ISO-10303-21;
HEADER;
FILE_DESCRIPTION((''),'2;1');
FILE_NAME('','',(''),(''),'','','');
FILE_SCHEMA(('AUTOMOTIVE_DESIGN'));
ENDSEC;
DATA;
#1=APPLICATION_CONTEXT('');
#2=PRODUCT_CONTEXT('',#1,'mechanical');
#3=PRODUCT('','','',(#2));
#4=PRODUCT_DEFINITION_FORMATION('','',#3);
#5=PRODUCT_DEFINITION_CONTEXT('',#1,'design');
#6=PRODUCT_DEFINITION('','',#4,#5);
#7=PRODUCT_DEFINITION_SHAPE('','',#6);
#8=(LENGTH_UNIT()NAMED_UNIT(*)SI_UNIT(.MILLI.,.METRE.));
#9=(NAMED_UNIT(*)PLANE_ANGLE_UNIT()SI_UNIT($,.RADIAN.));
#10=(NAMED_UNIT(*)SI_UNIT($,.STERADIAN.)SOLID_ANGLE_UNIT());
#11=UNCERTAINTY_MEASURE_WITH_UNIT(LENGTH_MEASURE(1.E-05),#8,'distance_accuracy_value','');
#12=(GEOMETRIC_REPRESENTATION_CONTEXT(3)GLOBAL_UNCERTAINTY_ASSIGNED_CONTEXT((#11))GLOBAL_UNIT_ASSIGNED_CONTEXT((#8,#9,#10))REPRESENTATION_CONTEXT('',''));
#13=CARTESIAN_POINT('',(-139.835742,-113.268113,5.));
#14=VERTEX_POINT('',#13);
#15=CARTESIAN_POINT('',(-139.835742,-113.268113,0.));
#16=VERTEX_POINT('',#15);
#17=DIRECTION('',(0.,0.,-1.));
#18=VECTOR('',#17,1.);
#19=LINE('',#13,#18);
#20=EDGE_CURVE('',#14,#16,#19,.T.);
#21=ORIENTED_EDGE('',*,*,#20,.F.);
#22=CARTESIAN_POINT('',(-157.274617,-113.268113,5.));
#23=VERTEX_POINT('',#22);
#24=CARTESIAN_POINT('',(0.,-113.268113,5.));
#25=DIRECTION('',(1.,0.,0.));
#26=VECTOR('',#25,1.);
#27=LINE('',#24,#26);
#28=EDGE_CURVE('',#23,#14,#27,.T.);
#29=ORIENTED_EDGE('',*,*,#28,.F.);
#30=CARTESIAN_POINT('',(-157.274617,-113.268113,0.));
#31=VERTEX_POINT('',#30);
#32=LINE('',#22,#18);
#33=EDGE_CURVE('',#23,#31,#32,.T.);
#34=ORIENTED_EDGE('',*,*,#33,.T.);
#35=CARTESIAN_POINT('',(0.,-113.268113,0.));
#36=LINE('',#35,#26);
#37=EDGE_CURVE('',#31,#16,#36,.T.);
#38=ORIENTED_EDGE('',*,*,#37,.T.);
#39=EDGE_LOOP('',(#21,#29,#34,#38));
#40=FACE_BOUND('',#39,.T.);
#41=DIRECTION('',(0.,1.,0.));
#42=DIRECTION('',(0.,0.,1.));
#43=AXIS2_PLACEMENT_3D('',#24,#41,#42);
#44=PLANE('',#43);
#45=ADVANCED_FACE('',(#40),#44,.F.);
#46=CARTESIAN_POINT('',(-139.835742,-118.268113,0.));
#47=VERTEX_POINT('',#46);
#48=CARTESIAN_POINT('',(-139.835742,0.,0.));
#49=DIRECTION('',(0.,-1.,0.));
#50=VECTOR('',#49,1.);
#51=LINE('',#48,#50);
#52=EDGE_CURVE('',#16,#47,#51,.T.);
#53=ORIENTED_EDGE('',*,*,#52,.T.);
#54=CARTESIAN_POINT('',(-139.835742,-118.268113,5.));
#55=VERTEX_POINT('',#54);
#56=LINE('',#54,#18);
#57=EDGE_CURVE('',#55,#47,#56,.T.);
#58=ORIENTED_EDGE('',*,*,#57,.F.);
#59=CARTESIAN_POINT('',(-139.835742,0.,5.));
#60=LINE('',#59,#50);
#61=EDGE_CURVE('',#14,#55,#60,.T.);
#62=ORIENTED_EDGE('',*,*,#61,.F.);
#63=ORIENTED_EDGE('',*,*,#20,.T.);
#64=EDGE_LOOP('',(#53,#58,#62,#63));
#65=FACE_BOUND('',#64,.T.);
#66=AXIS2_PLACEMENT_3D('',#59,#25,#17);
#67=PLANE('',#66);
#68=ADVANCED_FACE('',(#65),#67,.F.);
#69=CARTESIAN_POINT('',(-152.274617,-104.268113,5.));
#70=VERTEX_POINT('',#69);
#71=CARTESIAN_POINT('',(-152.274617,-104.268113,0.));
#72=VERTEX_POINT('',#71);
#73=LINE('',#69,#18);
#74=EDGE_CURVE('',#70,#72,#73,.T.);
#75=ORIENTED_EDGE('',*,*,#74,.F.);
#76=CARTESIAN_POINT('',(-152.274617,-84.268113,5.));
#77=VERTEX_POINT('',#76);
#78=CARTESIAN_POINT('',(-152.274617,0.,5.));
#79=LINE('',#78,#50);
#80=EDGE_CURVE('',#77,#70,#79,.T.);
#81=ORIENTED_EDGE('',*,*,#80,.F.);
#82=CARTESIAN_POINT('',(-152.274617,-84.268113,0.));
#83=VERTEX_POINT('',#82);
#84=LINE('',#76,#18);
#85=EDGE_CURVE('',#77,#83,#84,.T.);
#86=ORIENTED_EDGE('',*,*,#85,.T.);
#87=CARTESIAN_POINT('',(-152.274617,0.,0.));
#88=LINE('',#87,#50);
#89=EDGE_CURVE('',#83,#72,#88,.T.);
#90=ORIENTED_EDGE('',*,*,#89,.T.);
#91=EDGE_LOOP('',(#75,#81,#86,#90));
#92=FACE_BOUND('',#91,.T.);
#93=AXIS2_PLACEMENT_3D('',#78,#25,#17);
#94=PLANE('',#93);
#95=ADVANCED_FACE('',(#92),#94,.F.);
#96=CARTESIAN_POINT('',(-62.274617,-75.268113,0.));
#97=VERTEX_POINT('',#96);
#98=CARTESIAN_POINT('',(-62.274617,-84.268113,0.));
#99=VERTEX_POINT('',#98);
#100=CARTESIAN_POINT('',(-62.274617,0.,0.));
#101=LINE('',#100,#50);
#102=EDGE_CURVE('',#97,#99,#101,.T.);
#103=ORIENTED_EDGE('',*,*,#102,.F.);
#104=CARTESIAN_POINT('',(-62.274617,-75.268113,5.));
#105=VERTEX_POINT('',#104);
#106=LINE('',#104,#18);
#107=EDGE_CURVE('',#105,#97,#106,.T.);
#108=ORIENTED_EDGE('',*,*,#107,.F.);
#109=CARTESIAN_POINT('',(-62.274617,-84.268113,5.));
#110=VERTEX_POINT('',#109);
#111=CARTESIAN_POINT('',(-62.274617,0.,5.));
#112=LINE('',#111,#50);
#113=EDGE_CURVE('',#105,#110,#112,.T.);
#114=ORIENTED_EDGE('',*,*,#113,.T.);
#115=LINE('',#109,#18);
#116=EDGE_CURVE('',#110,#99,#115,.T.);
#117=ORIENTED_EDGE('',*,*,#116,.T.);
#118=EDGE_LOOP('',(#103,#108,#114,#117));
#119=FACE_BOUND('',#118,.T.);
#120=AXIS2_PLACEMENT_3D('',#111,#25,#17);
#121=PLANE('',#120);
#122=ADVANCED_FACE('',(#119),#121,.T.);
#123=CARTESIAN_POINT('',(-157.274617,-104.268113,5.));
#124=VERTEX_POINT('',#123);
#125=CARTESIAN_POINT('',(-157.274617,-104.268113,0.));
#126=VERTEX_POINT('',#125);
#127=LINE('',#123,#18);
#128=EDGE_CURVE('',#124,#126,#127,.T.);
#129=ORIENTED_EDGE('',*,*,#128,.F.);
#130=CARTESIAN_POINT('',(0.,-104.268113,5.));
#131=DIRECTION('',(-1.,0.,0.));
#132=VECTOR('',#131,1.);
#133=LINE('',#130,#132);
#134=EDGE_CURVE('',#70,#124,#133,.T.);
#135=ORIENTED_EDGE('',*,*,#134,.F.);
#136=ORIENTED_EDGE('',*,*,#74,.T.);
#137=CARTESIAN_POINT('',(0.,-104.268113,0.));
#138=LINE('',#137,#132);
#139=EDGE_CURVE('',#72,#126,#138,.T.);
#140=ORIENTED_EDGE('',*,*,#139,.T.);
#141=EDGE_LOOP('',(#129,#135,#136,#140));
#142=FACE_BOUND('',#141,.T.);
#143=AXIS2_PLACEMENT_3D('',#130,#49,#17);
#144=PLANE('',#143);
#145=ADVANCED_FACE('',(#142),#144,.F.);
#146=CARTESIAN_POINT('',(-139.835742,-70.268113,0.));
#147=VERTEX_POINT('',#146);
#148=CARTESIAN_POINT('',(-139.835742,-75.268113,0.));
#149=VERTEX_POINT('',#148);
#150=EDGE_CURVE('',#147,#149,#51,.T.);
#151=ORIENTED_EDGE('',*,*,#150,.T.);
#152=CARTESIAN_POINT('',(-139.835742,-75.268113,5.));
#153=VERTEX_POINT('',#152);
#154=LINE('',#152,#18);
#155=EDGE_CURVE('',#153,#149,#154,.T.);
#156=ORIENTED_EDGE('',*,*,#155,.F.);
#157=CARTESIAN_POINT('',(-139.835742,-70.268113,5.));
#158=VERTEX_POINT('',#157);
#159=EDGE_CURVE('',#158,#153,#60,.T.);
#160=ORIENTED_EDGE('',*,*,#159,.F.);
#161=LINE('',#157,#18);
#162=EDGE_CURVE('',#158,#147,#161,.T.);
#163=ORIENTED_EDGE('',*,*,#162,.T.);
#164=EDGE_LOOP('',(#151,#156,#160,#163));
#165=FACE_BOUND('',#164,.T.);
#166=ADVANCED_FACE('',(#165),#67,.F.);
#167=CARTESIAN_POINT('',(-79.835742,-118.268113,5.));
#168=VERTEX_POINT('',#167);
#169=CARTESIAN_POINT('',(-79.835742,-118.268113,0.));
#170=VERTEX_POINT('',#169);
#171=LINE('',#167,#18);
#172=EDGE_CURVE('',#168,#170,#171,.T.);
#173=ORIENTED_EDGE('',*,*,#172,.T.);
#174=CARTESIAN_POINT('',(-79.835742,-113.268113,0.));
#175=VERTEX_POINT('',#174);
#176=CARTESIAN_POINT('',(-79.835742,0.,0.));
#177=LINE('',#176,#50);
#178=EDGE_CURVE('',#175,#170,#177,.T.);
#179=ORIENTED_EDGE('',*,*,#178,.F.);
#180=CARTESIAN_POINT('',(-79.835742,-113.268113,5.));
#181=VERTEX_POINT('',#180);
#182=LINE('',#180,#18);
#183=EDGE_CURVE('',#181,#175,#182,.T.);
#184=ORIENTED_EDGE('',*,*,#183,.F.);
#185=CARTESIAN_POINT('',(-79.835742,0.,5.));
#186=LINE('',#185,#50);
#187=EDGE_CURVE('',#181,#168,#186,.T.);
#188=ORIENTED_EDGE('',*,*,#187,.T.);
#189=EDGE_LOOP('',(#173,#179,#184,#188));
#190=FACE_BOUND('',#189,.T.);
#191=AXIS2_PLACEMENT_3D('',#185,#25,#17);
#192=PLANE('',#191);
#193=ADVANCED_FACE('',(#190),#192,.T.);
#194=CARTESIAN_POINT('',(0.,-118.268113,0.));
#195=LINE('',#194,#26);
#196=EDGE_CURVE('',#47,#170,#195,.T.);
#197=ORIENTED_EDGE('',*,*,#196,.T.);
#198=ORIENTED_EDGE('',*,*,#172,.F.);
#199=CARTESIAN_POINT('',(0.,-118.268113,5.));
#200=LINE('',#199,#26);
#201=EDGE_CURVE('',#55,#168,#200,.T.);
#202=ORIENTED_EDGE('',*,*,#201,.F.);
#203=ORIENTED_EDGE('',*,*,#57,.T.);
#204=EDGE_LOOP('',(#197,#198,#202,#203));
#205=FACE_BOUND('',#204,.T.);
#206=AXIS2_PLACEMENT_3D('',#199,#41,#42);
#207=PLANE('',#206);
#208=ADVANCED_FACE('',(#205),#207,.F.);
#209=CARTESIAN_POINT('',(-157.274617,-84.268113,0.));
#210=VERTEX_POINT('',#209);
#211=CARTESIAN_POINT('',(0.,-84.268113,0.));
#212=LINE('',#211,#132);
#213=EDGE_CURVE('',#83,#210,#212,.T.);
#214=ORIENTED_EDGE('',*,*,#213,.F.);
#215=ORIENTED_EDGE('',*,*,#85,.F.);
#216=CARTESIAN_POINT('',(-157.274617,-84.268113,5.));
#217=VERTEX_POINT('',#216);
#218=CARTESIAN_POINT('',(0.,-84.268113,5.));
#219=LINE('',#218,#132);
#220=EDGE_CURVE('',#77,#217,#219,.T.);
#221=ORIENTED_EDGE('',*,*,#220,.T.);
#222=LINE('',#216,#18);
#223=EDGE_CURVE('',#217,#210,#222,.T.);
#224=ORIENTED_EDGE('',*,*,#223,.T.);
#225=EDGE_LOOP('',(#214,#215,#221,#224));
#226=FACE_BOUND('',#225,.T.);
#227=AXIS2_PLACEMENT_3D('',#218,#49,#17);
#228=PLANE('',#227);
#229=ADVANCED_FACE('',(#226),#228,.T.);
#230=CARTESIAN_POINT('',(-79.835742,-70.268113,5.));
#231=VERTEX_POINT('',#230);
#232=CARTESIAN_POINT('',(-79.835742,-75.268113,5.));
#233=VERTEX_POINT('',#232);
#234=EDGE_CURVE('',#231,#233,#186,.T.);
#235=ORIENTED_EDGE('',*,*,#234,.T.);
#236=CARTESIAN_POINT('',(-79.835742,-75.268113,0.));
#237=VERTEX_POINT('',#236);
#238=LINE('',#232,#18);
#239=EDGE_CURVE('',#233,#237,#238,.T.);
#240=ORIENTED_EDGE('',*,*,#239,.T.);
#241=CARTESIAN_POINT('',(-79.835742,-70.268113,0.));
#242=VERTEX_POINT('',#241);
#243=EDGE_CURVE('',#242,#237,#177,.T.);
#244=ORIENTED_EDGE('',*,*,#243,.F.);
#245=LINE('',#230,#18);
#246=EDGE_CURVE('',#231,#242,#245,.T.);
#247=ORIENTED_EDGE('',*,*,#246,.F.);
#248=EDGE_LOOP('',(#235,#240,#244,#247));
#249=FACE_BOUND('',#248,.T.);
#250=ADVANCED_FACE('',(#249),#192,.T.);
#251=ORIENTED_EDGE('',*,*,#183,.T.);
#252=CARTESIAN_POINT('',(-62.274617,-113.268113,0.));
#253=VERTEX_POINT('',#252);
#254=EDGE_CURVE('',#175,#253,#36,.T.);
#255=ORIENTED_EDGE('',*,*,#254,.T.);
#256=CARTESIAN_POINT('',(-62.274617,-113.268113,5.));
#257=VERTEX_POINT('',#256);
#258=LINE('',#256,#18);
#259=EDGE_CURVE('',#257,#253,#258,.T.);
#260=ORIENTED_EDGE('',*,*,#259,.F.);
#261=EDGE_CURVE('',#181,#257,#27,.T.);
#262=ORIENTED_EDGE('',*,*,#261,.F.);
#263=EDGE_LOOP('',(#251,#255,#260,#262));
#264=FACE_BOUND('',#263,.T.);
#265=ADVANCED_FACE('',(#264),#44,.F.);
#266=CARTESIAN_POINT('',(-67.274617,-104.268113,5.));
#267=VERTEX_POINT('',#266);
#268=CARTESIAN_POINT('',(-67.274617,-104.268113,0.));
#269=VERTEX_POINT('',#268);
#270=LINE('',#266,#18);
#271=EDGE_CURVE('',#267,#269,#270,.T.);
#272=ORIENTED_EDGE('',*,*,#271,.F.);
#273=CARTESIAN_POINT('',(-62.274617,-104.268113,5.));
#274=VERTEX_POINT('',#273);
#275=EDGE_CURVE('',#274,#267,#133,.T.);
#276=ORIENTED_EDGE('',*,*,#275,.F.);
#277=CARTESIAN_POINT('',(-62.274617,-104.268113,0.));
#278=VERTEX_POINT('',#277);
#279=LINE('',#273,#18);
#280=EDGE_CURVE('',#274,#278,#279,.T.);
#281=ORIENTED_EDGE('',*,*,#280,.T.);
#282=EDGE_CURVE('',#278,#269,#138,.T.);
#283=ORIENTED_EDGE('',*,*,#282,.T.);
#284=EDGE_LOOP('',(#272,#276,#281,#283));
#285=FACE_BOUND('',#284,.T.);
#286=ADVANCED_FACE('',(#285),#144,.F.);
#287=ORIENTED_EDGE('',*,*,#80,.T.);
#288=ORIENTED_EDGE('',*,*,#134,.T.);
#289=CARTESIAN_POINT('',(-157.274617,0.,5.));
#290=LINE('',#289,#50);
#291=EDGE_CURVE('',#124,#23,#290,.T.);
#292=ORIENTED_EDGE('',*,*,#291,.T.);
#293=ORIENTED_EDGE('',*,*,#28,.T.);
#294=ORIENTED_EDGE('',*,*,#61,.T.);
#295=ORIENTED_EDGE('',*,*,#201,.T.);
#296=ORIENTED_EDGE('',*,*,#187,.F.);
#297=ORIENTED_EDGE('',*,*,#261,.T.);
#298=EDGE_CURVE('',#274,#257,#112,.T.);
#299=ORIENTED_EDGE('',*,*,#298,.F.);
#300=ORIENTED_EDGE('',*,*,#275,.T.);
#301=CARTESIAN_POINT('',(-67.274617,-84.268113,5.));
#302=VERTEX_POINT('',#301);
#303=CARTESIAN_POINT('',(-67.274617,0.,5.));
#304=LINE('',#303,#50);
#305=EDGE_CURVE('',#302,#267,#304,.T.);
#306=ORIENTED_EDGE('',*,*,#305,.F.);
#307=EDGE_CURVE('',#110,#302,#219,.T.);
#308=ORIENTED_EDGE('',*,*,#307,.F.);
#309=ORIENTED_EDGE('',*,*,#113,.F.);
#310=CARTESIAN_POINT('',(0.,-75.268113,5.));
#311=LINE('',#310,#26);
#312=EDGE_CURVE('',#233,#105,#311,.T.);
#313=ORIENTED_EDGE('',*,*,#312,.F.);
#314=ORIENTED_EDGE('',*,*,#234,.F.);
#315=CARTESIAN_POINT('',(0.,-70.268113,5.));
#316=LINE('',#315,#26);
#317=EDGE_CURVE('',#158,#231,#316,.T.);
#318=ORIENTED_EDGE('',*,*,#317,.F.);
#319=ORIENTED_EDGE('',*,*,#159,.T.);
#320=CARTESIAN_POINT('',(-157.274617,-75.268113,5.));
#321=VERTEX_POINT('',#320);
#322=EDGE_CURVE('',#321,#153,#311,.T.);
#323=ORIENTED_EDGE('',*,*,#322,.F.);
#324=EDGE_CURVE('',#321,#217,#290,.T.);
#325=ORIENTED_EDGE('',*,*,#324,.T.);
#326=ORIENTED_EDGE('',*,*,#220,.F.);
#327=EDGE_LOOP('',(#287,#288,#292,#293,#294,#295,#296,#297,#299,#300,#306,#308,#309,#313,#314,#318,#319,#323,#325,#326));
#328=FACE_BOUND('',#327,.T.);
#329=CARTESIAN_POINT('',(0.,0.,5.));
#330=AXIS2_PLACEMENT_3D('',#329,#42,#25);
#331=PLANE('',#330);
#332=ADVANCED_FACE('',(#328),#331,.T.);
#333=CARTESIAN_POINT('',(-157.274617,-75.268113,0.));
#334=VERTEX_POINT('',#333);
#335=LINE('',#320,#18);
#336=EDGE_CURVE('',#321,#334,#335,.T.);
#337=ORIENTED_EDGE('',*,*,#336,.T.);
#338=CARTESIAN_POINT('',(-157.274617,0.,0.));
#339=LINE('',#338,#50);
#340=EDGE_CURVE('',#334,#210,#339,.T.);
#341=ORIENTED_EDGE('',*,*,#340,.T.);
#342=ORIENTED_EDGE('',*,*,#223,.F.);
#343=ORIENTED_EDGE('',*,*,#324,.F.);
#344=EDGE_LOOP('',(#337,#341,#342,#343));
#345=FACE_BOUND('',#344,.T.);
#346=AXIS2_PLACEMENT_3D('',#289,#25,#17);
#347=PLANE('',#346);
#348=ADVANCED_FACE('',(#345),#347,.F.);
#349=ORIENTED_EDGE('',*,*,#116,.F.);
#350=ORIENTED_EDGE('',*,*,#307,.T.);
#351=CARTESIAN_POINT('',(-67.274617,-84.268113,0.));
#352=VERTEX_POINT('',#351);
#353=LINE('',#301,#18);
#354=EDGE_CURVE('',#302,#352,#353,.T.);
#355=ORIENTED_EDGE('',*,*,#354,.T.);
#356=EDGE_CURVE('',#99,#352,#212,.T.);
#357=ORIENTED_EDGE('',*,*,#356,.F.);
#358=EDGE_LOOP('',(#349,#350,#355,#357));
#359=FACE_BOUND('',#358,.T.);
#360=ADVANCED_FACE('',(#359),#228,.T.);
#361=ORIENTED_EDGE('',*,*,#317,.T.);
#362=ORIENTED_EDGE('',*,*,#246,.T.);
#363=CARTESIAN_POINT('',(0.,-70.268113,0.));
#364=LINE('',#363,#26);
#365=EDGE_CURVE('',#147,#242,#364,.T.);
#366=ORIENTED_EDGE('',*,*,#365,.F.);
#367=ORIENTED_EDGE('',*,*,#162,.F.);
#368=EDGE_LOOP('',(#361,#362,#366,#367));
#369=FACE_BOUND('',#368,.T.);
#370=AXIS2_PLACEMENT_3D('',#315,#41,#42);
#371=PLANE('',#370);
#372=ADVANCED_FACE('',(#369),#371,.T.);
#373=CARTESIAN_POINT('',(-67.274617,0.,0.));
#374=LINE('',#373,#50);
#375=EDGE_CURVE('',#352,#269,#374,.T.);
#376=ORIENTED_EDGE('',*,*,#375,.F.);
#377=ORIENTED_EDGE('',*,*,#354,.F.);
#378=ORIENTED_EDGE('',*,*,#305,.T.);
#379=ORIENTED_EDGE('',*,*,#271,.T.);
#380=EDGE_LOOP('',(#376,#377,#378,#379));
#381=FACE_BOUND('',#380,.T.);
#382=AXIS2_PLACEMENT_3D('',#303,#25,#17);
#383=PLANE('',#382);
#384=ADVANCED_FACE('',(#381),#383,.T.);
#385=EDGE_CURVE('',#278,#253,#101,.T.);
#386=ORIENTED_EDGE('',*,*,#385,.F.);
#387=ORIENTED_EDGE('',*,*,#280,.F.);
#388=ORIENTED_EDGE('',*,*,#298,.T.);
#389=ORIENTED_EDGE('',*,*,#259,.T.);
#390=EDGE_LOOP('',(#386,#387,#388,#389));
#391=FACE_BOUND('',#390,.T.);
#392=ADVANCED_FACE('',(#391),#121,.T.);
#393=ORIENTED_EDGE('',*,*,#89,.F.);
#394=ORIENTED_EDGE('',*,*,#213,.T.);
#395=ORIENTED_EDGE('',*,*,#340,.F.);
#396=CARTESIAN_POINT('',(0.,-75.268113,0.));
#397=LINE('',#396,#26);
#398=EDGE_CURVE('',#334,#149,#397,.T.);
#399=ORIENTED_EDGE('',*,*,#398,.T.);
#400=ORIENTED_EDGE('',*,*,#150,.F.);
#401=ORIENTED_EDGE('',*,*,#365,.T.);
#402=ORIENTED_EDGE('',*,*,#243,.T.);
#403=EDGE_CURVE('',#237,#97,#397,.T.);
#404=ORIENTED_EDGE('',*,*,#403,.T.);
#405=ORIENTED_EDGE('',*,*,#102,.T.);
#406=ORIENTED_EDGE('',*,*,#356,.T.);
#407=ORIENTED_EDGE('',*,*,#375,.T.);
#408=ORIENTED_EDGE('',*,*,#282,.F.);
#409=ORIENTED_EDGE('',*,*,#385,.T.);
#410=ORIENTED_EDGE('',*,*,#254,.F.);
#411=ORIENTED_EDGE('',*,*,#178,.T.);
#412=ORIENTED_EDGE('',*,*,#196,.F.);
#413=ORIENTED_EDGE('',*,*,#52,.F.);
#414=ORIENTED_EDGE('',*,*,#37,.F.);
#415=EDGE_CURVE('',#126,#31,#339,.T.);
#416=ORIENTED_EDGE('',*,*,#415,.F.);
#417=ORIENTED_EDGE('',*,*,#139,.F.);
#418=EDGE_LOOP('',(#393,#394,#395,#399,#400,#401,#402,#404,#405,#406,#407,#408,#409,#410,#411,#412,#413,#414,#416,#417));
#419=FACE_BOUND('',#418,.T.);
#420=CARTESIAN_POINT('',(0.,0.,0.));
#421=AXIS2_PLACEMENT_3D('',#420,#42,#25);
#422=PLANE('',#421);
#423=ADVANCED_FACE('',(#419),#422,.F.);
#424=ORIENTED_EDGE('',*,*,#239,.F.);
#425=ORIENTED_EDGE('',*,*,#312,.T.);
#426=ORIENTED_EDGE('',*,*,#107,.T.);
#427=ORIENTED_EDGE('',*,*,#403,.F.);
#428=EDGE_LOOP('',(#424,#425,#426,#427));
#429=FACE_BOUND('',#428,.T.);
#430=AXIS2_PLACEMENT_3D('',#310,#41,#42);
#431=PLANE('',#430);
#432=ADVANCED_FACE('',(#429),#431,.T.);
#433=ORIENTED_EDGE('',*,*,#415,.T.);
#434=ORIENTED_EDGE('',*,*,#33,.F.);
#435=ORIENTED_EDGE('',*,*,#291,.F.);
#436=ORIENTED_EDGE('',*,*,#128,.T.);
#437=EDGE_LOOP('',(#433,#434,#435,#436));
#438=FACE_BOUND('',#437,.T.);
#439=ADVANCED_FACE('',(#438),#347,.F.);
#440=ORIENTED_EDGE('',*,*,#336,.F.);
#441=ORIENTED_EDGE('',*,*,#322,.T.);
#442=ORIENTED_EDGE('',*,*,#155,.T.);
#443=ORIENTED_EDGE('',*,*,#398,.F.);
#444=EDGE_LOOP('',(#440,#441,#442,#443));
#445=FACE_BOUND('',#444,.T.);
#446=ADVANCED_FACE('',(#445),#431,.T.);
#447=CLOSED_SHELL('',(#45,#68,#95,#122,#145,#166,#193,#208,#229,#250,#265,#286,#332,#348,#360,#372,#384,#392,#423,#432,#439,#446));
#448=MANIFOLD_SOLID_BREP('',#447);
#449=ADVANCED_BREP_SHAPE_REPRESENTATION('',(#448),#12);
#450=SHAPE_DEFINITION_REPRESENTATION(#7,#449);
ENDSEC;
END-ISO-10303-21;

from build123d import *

# Parameters (mm, degrees)
AUFSATZ_LINEAR_AUSTRAGEN1_DEPTH = 5


with BuildPart() as part:
    # Skizze1 → Aufsatz-Linear austragen1 (new body)
    with BuildSketch(Plane.XY):
        Polygon((-79.835742472, -70.268113146), (-139.835742472, -70.268113146), (-139.835742472, -75.268113146), (-157.274617185, -75.268113146), (-157.274617185, -84.268113146), (-152.274617185, -84.268113146), (-152.274617185, -104.268113146), (-157.274617185, -104.268113146), (-157.274617185, -113.268113146), (-139.835742472, -113.268113146), (-139.835742472, -118.268113146), (-79.835742472, -118.268113146), (-79.835742472, -113.268113146), (-62.274617185, -113.268113146), (-62.274617185, -104.268113146), (-67.274617185, -104.268113146), (-67.274617185, -84.268113146), (-62.274617185, -84.268113146), (-62.274617185, -75.268113146), (-79.835742472, -75.268113146), align=None)
    extrude(amount=AUFSATZ_LINEAR_AUSTRAGEN1_DEPTH)


solid = part.part
